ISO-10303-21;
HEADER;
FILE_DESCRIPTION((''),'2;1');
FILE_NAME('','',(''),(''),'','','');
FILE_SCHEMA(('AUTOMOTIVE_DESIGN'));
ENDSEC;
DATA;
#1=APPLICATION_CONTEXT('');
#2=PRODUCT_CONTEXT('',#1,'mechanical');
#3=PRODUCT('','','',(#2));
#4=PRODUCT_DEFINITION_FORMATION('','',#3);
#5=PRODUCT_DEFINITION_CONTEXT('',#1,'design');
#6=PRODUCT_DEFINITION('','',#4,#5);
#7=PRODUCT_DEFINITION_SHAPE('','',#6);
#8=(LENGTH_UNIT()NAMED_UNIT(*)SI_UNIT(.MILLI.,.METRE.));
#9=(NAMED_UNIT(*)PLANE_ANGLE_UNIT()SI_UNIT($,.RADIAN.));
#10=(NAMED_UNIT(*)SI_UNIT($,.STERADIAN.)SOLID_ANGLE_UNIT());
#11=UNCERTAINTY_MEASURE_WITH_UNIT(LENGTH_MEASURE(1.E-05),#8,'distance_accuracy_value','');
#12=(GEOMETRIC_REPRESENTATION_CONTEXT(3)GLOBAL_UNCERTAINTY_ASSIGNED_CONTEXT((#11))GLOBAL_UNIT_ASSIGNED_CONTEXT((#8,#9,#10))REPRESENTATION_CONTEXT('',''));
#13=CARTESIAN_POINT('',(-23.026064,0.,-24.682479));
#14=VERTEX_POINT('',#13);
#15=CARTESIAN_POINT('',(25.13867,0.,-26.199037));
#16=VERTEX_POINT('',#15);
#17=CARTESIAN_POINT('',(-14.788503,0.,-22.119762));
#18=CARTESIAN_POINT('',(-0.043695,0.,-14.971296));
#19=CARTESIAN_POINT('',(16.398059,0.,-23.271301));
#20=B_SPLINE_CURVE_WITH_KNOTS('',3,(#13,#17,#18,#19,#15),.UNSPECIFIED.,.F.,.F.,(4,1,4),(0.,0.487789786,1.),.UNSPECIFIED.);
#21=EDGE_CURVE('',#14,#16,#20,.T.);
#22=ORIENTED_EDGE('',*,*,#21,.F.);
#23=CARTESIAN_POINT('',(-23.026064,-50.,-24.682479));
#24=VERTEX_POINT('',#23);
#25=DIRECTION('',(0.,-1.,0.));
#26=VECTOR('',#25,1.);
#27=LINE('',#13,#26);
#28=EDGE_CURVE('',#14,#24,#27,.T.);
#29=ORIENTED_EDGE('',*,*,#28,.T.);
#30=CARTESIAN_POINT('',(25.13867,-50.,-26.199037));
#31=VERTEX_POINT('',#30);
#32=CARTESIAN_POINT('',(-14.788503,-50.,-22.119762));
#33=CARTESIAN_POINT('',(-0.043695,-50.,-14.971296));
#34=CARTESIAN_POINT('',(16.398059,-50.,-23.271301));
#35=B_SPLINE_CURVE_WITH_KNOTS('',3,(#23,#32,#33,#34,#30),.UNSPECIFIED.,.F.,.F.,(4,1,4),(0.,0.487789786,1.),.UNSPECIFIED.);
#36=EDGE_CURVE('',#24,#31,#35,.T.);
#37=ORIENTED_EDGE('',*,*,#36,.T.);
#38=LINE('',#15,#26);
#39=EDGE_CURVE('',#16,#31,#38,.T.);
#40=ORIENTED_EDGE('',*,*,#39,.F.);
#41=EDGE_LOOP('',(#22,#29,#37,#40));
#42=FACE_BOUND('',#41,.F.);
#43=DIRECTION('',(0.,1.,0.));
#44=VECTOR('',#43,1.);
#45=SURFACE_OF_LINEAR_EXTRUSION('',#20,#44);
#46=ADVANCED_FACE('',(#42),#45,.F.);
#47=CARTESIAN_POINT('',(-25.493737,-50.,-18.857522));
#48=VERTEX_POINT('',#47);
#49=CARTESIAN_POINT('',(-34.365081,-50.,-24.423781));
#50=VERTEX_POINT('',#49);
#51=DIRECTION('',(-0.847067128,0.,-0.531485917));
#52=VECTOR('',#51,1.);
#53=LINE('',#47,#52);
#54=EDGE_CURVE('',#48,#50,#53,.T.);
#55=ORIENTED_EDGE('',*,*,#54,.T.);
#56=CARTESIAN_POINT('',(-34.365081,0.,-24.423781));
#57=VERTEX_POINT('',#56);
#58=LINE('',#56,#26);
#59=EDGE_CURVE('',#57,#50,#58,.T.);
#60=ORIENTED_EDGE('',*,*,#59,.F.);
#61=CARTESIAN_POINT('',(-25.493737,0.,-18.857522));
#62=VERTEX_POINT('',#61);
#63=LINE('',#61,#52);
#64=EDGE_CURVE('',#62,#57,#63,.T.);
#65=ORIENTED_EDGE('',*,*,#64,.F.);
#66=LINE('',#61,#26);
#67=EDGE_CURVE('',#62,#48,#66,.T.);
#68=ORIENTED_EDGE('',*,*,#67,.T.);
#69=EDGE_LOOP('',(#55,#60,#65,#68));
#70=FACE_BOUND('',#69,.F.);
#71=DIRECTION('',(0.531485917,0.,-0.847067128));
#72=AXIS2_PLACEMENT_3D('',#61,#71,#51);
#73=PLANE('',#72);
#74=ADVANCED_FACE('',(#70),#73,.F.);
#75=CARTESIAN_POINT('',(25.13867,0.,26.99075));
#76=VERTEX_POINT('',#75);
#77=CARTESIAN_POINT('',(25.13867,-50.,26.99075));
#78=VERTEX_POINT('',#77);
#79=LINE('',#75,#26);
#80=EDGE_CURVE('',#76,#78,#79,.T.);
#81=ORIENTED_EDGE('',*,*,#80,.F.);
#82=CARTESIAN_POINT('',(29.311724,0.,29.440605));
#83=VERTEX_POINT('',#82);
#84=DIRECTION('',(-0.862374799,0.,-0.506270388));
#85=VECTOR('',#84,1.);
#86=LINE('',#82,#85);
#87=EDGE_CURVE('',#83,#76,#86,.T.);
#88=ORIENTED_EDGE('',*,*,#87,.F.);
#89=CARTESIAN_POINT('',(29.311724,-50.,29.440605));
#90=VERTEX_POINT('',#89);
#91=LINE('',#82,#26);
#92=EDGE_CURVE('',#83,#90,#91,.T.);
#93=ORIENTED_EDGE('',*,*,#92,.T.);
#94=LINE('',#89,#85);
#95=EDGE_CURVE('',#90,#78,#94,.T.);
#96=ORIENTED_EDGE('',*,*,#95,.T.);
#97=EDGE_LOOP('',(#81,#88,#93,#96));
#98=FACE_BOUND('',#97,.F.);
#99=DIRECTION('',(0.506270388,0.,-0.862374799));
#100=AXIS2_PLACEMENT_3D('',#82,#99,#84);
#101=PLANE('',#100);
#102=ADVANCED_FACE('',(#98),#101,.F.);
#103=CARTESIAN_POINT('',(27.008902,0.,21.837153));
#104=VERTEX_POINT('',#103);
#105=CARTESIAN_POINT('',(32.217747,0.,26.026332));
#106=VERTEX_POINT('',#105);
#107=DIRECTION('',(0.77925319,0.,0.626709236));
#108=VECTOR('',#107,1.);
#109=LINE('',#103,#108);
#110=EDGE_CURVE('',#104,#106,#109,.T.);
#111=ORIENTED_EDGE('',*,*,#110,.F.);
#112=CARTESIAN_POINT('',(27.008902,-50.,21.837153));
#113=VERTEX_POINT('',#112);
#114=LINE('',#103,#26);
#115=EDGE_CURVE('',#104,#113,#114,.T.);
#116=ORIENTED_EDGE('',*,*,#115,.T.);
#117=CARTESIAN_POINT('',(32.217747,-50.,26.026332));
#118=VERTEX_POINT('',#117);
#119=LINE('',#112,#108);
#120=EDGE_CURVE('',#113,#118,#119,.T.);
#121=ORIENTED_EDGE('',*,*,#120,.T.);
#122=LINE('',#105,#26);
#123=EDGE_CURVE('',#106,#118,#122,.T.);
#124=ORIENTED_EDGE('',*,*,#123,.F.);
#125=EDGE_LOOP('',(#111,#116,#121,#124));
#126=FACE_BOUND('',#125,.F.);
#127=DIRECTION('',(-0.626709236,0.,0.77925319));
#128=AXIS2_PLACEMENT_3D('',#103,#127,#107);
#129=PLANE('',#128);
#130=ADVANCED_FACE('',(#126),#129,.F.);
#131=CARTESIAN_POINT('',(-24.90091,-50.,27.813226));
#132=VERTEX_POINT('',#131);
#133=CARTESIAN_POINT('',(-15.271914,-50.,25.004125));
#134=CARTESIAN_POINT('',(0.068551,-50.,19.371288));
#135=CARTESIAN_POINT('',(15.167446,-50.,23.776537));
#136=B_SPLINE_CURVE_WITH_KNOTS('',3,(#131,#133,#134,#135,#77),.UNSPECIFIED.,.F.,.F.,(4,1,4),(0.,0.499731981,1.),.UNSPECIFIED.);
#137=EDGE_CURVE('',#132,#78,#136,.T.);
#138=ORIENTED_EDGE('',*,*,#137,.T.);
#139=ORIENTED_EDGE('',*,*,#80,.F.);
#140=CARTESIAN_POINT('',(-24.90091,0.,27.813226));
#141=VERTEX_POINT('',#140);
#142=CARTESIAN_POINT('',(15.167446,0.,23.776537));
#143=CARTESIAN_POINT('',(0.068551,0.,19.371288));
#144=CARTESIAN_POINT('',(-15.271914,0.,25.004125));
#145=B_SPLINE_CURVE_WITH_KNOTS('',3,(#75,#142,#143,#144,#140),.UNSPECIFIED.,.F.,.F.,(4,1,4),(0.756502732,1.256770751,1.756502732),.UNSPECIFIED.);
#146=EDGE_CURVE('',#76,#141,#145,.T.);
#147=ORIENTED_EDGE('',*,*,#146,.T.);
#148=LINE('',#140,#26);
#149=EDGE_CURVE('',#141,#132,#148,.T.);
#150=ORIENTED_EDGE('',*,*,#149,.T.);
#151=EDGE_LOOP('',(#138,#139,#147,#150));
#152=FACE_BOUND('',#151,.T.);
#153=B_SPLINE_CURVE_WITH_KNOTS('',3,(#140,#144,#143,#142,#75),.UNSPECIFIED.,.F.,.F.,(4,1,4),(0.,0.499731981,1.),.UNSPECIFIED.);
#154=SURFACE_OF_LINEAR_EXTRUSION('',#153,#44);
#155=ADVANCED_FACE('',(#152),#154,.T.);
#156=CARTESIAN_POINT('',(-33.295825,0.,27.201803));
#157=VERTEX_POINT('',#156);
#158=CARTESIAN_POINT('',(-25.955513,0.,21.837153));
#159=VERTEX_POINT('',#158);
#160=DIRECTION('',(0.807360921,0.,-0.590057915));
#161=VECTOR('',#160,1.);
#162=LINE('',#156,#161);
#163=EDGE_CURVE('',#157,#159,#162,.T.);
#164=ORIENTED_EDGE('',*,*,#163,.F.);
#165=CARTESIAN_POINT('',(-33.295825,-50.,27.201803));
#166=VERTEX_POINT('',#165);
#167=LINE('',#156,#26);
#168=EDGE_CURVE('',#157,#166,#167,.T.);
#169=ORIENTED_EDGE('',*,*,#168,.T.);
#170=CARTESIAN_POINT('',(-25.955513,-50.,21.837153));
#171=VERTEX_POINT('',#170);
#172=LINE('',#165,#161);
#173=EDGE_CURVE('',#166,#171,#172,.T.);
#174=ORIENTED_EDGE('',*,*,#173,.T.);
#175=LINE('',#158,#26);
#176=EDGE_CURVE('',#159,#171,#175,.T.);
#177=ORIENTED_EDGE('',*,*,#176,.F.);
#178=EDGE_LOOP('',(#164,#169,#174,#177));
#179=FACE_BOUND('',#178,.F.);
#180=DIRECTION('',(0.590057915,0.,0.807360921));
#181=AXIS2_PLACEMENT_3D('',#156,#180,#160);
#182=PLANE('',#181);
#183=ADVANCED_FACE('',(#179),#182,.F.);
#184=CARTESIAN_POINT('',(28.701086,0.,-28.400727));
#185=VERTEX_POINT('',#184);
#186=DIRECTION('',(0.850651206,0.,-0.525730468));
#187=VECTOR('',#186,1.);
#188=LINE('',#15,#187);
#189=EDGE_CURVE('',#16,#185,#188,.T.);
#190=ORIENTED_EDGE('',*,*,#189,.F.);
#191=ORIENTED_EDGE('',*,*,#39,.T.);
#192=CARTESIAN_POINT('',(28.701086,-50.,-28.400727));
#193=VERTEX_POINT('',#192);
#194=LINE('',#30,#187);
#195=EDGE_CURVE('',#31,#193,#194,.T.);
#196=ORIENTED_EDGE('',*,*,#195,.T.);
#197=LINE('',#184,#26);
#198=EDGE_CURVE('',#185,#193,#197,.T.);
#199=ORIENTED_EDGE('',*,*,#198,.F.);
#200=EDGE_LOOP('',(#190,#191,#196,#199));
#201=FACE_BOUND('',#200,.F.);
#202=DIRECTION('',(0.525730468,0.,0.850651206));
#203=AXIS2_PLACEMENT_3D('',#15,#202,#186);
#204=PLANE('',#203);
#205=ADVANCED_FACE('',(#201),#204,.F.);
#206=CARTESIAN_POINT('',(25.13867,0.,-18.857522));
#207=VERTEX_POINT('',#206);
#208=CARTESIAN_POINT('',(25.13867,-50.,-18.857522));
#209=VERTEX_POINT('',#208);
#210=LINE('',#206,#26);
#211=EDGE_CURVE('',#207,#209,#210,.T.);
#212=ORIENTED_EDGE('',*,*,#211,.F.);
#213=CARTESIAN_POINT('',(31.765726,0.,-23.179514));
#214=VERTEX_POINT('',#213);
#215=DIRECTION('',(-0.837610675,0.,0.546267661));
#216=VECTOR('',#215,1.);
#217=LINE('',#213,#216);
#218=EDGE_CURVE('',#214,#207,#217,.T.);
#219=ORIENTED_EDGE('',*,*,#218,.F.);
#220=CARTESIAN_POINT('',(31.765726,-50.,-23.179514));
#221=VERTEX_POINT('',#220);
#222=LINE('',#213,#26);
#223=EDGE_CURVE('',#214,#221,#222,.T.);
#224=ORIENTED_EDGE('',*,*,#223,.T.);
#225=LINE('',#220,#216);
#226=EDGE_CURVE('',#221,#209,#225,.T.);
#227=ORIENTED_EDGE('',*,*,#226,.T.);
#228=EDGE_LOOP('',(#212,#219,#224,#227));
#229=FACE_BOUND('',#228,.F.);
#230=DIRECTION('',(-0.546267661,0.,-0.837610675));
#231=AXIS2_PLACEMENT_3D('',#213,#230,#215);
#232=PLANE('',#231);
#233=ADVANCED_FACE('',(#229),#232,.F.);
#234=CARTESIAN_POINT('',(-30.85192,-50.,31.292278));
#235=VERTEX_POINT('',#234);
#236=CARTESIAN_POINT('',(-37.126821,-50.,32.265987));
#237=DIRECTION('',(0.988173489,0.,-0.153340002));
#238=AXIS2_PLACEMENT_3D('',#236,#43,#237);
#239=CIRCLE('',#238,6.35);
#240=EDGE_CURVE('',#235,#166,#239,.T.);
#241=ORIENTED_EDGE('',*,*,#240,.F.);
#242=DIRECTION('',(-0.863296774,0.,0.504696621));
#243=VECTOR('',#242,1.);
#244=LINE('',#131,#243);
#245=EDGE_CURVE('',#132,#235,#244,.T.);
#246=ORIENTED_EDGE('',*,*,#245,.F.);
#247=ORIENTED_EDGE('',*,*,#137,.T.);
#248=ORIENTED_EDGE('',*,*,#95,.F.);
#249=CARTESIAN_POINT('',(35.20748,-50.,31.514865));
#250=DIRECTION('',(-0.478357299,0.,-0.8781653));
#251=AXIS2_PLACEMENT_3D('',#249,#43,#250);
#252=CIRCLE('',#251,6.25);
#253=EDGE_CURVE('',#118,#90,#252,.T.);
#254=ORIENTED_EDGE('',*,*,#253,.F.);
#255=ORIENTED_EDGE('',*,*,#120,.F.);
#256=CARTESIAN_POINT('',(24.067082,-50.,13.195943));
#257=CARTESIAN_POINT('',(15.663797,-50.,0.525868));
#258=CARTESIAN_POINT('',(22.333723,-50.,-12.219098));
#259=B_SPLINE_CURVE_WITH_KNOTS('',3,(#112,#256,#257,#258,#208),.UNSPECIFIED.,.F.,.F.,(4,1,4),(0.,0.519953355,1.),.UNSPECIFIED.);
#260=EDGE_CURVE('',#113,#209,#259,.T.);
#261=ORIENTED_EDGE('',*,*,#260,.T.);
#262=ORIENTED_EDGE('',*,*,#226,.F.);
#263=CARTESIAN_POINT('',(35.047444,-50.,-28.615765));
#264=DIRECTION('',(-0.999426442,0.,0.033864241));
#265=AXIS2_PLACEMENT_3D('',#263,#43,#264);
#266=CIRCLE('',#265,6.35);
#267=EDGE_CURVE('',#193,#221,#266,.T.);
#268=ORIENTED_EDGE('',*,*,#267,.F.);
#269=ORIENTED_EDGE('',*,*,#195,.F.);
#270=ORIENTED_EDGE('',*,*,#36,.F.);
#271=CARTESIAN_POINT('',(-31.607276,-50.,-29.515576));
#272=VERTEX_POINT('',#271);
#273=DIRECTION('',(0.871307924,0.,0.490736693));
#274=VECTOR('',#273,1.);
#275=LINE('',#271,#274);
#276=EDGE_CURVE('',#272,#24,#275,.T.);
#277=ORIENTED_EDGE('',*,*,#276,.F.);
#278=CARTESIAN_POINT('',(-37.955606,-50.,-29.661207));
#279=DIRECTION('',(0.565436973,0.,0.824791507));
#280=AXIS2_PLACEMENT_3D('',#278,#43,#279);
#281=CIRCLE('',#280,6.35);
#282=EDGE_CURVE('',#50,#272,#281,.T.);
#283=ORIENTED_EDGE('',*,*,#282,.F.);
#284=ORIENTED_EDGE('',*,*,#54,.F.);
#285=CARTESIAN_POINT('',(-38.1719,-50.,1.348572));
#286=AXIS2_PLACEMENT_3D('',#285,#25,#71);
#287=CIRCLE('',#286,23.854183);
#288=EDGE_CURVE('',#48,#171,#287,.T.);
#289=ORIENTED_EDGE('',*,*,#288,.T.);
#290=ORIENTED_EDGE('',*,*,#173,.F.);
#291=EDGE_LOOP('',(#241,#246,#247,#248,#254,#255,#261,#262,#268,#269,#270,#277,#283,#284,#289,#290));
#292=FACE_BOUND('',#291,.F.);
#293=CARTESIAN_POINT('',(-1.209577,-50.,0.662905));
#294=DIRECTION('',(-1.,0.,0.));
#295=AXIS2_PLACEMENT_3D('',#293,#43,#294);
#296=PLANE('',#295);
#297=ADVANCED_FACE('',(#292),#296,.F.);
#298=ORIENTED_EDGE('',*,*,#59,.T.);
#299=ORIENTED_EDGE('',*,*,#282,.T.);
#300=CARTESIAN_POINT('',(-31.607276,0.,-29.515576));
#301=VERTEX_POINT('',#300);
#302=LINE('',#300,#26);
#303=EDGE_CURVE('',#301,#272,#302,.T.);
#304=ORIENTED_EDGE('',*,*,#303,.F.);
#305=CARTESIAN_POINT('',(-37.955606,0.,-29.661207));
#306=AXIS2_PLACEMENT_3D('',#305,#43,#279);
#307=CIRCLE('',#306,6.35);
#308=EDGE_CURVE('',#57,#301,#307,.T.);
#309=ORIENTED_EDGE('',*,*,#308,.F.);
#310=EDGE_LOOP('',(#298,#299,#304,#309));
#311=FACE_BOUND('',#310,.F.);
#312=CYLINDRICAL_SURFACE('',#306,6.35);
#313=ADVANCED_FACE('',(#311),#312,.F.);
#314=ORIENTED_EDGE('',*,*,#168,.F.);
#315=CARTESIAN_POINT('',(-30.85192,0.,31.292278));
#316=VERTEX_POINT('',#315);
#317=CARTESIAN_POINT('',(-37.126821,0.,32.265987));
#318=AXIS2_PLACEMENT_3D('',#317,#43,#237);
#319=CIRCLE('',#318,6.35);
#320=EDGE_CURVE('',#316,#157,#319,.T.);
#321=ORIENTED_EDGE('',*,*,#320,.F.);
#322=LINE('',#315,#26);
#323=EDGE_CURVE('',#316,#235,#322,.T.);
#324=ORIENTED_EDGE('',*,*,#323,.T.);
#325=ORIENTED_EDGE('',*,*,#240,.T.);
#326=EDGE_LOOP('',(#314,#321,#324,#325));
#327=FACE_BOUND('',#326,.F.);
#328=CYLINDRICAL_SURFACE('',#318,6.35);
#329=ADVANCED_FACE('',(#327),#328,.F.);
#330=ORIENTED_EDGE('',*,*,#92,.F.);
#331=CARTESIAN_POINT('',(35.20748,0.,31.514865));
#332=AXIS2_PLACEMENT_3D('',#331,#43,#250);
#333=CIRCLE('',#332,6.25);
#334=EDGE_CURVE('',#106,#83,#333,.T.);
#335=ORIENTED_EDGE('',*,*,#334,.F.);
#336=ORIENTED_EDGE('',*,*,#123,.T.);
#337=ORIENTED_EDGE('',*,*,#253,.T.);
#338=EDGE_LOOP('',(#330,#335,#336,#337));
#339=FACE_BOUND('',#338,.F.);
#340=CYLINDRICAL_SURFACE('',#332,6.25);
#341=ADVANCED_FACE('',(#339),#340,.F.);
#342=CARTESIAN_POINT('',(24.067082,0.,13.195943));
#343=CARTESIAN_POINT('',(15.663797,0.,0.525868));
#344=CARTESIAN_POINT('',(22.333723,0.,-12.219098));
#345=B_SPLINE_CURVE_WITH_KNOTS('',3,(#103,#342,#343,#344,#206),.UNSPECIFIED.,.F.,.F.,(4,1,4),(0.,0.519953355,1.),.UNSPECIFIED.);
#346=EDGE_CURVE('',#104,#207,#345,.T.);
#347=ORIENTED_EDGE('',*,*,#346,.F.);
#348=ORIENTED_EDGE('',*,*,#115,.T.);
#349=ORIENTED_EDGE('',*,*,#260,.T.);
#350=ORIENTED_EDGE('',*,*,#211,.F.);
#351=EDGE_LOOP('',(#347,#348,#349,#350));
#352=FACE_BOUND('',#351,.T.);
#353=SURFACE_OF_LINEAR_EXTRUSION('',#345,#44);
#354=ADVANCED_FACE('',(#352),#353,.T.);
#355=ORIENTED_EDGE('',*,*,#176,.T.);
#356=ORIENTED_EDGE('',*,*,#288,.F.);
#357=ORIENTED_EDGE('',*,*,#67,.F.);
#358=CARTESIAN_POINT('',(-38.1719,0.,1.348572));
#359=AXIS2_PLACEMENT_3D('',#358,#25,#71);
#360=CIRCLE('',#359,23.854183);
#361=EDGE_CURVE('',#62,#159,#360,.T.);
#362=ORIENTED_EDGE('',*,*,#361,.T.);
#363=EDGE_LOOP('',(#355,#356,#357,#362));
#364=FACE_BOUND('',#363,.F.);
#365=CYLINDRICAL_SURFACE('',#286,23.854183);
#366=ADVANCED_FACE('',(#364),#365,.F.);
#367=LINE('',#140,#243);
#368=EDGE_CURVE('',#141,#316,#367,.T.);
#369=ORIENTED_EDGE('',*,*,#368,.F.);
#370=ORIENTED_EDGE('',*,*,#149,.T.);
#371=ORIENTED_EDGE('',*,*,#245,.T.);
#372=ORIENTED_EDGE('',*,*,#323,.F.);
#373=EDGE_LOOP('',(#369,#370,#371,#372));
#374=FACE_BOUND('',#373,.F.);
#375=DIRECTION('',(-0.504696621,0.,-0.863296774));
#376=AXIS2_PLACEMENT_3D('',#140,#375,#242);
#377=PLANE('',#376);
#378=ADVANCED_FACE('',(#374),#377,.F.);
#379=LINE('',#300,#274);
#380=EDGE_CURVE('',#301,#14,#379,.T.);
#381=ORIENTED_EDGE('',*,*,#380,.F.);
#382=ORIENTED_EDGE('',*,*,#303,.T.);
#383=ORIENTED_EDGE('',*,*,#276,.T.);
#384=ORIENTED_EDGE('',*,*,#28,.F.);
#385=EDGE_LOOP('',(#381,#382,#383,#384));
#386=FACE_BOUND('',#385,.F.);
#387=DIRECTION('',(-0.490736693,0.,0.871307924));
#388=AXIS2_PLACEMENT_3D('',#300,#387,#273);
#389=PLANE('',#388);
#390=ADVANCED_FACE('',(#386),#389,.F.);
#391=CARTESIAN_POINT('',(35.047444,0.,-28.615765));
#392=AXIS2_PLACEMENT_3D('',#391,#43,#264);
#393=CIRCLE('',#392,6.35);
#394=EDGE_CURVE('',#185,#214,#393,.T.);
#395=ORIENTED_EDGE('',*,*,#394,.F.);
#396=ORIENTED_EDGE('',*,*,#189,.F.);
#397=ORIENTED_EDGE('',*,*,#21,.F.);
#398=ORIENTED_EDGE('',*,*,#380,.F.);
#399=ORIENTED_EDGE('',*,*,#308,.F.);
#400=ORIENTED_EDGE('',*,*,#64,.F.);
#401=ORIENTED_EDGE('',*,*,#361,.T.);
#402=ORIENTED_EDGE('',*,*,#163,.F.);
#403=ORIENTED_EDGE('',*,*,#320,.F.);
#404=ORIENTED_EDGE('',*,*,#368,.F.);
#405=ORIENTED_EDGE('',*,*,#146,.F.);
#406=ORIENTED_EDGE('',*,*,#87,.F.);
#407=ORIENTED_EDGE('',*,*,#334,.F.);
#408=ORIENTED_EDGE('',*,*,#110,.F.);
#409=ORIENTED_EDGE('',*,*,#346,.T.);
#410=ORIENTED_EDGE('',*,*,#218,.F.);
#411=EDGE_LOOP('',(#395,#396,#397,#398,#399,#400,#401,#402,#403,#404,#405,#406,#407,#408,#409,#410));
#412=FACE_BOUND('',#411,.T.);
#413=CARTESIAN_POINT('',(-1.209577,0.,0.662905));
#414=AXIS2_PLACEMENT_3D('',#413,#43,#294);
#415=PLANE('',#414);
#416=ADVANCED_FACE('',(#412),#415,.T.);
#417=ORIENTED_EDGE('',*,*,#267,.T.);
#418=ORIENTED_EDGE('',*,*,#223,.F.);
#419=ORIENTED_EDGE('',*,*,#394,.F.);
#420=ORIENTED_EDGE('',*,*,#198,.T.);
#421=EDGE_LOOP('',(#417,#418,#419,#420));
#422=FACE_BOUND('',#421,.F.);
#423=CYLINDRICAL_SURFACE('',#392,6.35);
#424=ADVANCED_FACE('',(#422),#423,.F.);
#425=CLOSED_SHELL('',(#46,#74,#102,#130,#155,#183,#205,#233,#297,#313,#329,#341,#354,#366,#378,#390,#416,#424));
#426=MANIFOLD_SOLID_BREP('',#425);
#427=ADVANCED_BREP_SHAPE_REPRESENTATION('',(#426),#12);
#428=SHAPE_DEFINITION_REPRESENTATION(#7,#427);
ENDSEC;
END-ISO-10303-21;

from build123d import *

# Parameters (mm, degrees)
F1_DEPTH = 50
F3_DEPTH = 50.0010001
F4_R     = 16.0196182497
F5_DEPTH = 37.7
F6_R     = 14.0015155941
F7_DEPTH = 63


with BuildPart() as f1:
    # F0 (on Front) → F1 (new body)
    with BuildSketch(Plane.XZ):
        with BuildLine():
            add(Edge.make_bspline(
                [(-24.9009096901, 27.8132260291), (-15.2719138126, 25.0041245055), (0.0685505815, 19.3712880215), (15.1674460028, 23.7765369464), (25.1386704972, 26.9907502037)],
                knots=[0, 0, 0, 0, 0.4997319812, 1, 1, 1, 1], degree=3))
            Line((-24.9009096901, 27.8132260291), (-30.8519195794, 31.2922782778))
            ThreePointArc((-30.8519195794, 31.2922782778), (-31.6756477165, 29.0091165086), (-33.2958245412, 27.2018028212))
            Line((-33.2958245412, 27.2018028212), (-25.9555131602, 21.8371527458))
            add(Edge.make_bspline(
                [(-25.9555131602, 21.8371527458), (-22.7845221536, 13.488346606), (-17.3288820912, 0.0516611316), (-22.1761950436, -11.8040839548), (-25.4937373126, -18.8575223359)],
                knots=[0, 0, 0, 0, 0.5176887267, 1, 1, 1, 1], degree=3))
            Line((-25.4937373126, -18.8575223359), (-34.3650811811, -24.4237805158))
            ThreePointArc((-34.3650811811, -24.4237805158), (-32.3719868097, -26.6370212042), (-31.6072761212, -29.5155758903))
            Line((-31.6072761212, -29.5155758903), (-23.0260640383, -24.6824789792))
            add(Edge.make_bspline(
                [(-23.0260640383, -24.6824789792), (-14.7885032622, -22.1197617809), (-0.0436946051, -14.9712963525), (16.3980588143, -23.2713009768), (25.1386702767, -26.1990372013)],
                knots=[0, 0, 0, 0, 0.4877897865, 1, 1, 1, 1], degree=3))
            Line((25.1386702767, -26.1990372013), (28.7010856366, -28.4007272488))
            ThreePointArc((28.7010856366, -28.4007272488), (29.5711101683, -25.4013798938), (31.7657258985, -23.1795137775))
            Line((31.7657258985, -23.1795137775), (25.1386702897, -18.8575223359))
            add(Edge.make_bspline(
                [(27.0089022596, 21.8371527458), (24.067082439, 13.1959431089), (15.6637973801, 0.5258679424), (22.3337226969, -12.2190983175), (25.1386702897, -18.8575223359)],
                knots=[0, 0, 0, 0, 0.5199533553, 1, 1, 1, 1], degree=3))
            Line((27.0089022596, 21.8371527458), (32.2177472852, 26.0263319884))
            ThreePointArc((32.2177472852, 26.0263319884), (30.448037412, 27.4639143113), (29.311723773, 29.440605305))
            Line((29.311723773, 29.440605305), (25.1386704972, 26.9907502037))
        make_face()
    extrude(amount=F1_DEPTH)

    # F2 (on face) → F3 (cut, through all)
    with BuildSketch(Plane.XZ.offset(50)):
        with BuildLine():
            add(Edge.make_bspline(
                [(-25.9555131602, 21.8371527458), (-22.7845221536, 13.488346606), (-17.3288820912, 0.0516611316), (-22.1761950436, -11.8040839548), (-25.4937373126, -18.8575223359)],
                knots=[0, 0, 0, 0, 0.5176887267, 1, 1, 1, 1], degree=3))
            ThreePointArc((-25.4937373126, -18.8575223359), (-14.3192522827, 1.6192357189), (-25.9555131602, 21.8371527458))
        make_face()
    extrude(amount=-F3_DEPTH, mode=Mode.SUBTRACT)

    # F4 (on Front) → F5 (cut)
    with BuildSketch(Plane.XZ):
        with Locations((22.9763758397, 0.8501823597)):
            Circle(F4_R)
    extrude(amount=-F5_DEPTH, mode=Mode.SUBTRACT)

    # F6 (on Front) → F7 (cut)
    with BuildSketch(Plane.XZ):
        with Locations((-1.843900617, 21.1695458569)):
            Circle(F6_R)
    extrude(amount=-F7_DEPTH, mode=Mode.SUBTRACT)


solid = f1.part
